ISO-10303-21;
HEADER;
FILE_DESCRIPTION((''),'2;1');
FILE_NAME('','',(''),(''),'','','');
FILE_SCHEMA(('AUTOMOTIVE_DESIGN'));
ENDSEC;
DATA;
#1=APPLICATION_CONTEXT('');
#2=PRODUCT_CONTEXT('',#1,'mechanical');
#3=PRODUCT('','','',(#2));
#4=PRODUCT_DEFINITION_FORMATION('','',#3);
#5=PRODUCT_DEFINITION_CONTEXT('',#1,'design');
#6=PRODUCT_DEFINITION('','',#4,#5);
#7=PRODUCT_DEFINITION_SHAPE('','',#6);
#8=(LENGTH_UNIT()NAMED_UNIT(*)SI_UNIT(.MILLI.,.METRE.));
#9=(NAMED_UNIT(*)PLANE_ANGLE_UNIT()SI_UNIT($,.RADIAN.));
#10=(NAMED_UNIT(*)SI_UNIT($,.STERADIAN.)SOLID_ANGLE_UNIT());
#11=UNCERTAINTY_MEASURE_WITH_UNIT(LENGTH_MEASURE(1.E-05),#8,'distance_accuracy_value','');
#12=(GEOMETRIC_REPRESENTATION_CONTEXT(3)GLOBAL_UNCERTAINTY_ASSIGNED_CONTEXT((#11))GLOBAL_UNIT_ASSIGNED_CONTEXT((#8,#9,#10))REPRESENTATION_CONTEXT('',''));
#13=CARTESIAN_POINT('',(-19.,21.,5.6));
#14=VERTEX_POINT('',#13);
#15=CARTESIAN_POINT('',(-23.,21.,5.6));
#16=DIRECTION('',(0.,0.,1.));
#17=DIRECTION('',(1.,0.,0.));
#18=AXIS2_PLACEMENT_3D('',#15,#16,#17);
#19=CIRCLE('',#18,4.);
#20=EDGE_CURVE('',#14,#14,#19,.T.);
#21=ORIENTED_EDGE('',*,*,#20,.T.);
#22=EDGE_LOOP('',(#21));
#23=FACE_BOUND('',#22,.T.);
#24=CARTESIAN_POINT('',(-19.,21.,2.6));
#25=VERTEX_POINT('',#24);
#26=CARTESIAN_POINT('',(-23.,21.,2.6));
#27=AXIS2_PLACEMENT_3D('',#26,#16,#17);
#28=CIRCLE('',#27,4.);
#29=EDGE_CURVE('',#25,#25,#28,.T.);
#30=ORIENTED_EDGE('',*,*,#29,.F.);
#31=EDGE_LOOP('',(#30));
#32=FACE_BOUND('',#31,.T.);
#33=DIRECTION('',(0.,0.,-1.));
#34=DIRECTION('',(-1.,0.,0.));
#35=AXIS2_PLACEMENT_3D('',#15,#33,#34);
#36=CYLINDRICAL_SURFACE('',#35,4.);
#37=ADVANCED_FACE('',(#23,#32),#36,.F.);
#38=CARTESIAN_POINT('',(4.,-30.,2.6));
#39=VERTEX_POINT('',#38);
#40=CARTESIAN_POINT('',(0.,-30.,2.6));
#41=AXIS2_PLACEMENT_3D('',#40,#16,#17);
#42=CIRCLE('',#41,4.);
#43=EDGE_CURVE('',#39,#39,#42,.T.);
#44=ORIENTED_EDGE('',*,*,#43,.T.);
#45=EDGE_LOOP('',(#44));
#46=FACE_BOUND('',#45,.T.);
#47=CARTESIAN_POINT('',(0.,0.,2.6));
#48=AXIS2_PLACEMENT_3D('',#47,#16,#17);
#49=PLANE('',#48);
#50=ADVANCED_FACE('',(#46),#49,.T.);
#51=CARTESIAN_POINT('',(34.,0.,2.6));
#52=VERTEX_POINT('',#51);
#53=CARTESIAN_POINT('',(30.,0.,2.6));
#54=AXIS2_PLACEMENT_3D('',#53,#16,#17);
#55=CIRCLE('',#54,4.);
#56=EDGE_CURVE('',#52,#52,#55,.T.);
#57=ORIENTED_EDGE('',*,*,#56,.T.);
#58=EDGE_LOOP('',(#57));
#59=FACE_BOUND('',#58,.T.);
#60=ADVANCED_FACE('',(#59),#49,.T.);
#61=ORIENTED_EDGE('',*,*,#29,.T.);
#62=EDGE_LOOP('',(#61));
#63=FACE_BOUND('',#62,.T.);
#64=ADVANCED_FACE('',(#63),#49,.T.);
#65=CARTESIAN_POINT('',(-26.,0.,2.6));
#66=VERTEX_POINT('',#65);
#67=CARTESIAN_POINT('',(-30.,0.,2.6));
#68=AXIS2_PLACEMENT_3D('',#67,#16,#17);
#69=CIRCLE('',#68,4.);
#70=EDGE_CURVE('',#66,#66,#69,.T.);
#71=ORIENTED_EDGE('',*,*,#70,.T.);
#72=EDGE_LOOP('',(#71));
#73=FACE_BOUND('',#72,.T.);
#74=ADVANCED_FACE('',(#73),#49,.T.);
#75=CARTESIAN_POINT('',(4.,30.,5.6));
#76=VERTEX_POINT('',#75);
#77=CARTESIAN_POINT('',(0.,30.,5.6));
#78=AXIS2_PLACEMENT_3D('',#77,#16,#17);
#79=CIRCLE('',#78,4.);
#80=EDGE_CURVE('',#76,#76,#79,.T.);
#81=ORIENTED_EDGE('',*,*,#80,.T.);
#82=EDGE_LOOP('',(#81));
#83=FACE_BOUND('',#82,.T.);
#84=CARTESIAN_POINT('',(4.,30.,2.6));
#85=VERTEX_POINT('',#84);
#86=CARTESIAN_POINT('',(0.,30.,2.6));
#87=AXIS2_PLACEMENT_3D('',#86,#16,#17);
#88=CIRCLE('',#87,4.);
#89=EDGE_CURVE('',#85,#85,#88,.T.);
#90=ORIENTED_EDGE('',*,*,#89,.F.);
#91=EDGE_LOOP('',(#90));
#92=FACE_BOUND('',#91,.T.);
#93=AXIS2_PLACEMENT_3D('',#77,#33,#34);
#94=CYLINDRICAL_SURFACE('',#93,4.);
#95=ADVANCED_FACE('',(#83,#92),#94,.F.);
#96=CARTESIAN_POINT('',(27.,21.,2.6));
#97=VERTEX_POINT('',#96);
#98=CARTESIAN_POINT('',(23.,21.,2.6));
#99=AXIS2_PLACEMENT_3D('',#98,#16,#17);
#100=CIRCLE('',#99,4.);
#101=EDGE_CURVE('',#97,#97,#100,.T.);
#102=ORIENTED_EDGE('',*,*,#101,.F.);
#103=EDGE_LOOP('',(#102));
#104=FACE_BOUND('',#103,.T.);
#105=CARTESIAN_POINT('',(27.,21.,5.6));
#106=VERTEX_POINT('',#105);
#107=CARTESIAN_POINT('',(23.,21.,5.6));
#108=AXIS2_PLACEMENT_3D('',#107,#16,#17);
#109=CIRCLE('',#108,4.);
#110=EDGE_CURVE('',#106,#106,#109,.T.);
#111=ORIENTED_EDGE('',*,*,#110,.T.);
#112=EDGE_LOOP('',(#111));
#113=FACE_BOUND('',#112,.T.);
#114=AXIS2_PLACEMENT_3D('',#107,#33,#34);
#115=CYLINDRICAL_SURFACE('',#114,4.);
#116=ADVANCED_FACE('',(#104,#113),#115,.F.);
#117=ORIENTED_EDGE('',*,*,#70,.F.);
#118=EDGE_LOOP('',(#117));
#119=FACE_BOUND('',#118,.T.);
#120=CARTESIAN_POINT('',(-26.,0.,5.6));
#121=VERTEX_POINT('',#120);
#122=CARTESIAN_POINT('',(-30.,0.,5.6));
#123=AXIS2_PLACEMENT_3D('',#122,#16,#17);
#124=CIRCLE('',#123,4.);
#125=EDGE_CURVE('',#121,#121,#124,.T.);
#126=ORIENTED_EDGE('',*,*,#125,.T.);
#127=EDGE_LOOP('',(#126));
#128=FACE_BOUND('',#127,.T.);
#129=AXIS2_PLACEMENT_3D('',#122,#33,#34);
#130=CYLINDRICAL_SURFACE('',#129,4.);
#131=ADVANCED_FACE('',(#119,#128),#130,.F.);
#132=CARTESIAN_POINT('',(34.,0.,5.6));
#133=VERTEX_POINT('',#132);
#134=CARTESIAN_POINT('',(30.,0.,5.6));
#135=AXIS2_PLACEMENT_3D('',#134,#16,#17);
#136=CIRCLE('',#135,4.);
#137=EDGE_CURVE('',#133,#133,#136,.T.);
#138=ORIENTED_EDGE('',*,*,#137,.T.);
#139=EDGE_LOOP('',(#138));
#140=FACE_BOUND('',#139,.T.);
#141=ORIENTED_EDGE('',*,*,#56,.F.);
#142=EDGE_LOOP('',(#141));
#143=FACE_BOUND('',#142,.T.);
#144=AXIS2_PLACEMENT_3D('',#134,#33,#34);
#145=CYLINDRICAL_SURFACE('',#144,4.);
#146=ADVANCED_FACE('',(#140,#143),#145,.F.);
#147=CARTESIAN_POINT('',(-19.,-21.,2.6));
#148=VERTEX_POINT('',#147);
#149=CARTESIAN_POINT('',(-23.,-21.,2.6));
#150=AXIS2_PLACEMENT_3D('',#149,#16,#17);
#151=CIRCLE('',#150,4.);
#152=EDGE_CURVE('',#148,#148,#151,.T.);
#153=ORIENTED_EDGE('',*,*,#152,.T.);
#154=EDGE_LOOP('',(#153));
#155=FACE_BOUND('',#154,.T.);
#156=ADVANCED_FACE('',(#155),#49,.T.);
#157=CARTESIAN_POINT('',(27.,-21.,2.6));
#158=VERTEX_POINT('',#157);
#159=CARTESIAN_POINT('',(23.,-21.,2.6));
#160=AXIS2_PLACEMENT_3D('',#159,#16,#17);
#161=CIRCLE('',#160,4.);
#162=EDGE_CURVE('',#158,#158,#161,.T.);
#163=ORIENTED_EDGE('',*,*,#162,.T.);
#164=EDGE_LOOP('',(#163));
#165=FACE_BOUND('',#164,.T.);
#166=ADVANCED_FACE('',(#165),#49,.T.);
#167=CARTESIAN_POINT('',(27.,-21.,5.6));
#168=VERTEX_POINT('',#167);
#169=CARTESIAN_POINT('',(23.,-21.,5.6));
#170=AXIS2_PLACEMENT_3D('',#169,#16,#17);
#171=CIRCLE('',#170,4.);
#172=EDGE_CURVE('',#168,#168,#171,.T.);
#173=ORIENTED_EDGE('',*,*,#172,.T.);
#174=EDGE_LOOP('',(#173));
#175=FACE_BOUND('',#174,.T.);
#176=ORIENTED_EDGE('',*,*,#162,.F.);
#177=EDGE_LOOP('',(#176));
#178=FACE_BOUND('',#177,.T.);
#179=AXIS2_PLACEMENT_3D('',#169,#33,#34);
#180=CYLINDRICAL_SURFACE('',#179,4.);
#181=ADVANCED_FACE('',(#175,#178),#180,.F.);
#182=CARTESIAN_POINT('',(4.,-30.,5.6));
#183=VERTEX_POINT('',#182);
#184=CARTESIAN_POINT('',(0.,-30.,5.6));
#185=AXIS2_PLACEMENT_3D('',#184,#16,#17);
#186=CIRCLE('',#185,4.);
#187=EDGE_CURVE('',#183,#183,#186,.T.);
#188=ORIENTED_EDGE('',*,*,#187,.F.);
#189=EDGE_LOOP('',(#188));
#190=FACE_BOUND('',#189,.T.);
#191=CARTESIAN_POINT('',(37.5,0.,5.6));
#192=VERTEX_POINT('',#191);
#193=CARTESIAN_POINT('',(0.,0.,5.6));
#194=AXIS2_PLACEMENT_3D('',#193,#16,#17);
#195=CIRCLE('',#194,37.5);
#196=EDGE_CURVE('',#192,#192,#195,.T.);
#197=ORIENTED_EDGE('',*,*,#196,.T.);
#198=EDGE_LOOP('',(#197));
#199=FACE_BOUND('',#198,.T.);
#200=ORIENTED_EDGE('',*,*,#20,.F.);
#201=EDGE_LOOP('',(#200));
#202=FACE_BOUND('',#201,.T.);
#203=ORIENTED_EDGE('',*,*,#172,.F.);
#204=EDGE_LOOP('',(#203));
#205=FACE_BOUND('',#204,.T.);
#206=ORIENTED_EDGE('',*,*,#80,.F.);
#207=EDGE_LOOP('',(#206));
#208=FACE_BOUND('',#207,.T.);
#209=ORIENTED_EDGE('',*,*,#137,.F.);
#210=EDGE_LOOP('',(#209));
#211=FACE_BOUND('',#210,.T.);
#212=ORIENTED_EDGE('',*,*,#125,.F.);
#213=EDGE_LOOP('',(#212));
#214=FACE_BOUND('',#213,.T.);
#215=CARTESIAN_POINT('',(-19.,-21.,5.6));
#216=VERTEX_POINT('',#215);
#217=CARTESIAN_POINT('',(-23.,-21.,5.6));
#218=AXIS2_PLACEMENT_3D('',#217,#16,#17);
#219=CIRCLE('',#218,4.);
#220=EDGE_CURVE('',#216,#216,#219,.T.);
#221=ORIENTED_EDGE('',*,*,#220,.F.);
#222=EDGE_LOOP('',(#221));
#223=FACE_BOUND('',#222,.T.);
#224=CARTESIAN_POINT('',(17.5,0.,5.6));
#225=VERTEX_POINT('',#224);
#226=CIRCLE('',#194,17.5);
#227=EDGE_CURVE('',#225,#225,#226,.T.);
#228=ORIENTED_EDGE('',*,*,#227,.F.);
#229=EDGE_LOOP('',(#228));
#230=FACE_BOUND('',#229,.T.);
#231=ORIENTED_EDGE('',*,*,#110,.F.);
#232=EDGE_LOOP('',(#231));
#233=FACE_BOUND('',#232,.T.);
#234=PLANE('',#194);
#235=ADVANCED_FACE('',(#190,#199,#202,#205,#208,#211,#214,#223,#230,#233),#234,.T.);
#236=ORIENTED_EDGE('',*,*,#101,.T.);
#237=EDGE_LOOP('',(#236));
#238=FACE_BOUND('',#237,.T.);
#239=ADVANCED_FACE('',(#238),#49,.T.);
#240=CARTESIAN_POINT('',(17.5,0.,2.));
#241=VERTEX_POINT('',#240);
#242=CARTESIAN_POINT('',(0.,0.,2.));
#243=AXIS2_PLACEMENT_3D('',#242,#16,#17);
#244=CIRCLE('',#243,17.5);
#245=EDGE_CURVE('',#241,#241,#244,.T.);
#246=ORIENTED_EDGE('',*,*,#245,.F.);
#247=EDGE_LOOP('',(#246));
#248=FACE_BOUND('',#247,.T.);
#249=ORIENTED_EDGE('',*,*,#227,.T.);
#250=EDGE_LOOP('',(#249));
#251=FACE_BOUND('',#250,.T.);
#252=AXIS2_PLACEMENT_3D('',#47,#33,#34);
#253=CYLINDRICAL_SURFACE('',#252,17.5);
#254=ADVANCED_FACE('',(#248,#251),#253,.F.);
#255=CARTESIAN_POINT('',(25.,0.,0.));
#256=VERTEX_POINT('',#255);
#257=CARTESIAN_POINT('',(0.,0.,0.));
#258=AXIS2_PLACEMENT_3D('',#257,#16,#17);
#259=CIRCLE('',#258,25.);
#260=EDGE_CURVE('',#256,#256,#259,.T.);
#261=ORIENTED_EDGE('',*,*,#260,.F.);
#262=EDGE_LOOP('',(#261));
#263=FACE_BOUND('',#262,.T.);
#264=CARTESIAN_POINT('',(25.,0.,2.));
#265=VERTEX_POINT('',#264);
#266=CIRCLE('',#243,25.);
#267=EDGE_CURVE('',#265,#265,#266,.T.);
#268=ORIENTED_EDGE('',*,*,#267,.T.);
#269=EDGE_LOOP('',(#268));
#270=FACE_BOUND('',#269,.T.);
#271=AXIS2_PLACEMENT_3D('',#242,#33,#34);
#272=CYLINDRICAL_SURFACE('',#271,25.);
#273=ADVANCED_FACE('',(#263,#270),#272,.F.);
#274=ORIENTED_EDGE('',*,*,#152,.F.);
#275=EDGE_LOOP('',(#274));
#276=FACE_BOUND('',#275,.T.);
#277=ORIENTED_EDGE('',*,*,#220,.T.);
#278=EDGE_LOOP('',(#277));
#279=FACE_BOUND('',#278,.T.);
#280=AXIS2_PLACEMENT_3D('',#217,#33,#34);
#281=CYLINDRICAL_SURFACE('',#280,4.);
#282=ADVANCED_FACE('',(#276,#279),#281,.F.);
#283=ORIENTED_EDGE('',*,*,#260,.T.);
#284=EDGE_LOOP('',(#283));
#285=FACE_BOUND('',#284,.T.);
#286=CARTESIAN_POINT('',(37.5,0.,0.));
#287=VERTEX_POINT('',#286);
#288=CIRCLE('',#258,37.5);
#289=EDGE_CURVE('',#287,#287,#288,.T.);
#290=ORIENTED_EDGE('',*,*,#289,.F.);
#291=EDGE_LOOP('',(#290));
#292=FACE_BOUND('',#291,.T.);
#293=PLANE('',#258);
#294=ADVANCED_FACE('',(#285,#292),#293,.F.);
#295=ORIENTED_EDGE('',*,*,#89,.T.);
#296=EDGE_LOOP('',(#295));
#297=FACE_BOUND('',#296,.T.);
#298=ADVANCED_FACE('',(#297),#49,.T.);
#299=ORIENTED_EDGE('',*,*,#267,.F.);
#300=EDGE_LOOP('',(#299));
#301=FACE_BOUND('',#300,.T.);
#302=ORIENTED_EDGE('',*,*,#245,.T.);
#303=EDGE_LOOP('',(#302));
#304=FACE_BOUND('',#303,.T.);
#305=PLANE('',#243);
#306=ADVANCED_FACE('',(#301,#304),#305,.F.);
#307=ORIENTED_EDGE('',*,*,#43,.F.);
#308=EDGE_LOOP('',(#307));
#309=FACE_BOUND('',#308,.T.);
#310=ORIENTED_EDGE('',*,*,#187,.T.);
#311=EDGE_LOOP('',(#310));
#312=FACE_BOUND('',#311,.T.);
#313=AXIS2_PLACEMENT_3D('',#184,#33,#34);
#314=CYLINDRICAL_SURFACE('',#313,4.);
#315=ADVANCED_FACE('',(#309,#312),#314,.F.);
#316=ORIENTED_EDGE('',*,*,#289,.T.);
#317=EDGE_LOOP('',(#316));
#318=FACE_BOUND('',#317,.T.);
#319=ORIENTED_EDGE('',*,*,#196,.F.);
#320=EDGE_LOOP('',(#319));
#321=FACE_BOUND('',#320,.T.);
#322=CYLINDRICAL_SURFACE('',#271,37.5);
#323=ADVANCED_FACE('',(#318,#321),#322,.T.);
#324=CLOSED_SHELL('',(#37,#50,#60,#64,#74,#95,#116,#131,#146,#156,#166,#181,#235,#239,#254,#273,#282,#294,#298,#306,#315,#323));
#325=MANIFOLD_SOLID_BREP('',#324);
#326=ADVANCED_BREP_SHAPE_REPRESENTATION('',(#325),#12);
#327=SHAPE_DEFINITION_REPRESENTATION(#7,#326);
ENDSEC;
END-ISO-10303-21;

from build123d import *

# Parameters (mm, degrees)
SKETCH_1_R      = 37.5
SKETCH_1_R_2    = 25
EXTRUDE_1_DEPTH = 2
SKETCH_2_R      = 37.5
SKETCH_2_R_2    = 17.5
EXTRUDE_2_DEPTH = 0.6
SKETCH_3_R      = 37.5
SKETCH_3_R_2    = 17.5
SKETCH_3_R_3    = 4
EXTRUDE_3_DEPTH = 3


with BuildPart() as part:
    # Эскиз1 → Бобышка-Вытянуть1 (new body)
    with BuildSketch(Plane.XY):
        Circle(SKETCH_1_R)
        Circle(SKETCH_1_R_2, mode=Mode.SUBTRACT)
    extrude(amount=EXTRUDE_1_DEPTH)

    # Эскиз2 → Бобышка-Вытянуть2 (add)
    with BuildSketch(Plane.XY.offset(2)):
        Circle(SKETCH_2_R)
        Circle(SKETCH_2_R_2, mode=Mode.SUBTRACT)
    extrude(amount=EXTRUDE_2_DEPTH)

    # Эскиз3 → Бобышка-Вытянуть3 (add)
    with BuildSketch(Plane.XY.offset(2.6)):
        Circle(SKETCH_3_R)
        Circle(SKETCH_3_R_2, mode=Mode.SUBTRACT)
        with Locations((0, 30)):
            Circle(SKETCH_3_R_3, mode=Mode.SUBTRACT)
        with Locations((0, -30)):
            Circle(SKETCH_3_R_3, mode=Mode.SUBTRACT)
        with Locations((30, 0)):
            Circle(SKETCH_3_R_3, mode=Mode.SUBTRACT)
        with Locations((-30, 0)):
            Circle(SKETCH_3_R_3, mode=Mode.SUBTRACT)
        with Locations((23, 21)):
            Circle(SKETCH_3_R_3, mode=Mode.SUBTRACT)
        with Locations((-23, 21)):
            Circle(SKETCH_3_R_3, mode=Mode.SUBTRACT)
        with Locations((-23, -21)):
            Circle(SKETCH_3_R_3, mode=Mode.SUBTRACT)
        with Locations((23, -21)):
            Circle(SKETCH_3_R_3, mode=Mode.SUBTRACT)
    extrude(amount=EXTRUDE_3_DEPTH)


solid = part.part
